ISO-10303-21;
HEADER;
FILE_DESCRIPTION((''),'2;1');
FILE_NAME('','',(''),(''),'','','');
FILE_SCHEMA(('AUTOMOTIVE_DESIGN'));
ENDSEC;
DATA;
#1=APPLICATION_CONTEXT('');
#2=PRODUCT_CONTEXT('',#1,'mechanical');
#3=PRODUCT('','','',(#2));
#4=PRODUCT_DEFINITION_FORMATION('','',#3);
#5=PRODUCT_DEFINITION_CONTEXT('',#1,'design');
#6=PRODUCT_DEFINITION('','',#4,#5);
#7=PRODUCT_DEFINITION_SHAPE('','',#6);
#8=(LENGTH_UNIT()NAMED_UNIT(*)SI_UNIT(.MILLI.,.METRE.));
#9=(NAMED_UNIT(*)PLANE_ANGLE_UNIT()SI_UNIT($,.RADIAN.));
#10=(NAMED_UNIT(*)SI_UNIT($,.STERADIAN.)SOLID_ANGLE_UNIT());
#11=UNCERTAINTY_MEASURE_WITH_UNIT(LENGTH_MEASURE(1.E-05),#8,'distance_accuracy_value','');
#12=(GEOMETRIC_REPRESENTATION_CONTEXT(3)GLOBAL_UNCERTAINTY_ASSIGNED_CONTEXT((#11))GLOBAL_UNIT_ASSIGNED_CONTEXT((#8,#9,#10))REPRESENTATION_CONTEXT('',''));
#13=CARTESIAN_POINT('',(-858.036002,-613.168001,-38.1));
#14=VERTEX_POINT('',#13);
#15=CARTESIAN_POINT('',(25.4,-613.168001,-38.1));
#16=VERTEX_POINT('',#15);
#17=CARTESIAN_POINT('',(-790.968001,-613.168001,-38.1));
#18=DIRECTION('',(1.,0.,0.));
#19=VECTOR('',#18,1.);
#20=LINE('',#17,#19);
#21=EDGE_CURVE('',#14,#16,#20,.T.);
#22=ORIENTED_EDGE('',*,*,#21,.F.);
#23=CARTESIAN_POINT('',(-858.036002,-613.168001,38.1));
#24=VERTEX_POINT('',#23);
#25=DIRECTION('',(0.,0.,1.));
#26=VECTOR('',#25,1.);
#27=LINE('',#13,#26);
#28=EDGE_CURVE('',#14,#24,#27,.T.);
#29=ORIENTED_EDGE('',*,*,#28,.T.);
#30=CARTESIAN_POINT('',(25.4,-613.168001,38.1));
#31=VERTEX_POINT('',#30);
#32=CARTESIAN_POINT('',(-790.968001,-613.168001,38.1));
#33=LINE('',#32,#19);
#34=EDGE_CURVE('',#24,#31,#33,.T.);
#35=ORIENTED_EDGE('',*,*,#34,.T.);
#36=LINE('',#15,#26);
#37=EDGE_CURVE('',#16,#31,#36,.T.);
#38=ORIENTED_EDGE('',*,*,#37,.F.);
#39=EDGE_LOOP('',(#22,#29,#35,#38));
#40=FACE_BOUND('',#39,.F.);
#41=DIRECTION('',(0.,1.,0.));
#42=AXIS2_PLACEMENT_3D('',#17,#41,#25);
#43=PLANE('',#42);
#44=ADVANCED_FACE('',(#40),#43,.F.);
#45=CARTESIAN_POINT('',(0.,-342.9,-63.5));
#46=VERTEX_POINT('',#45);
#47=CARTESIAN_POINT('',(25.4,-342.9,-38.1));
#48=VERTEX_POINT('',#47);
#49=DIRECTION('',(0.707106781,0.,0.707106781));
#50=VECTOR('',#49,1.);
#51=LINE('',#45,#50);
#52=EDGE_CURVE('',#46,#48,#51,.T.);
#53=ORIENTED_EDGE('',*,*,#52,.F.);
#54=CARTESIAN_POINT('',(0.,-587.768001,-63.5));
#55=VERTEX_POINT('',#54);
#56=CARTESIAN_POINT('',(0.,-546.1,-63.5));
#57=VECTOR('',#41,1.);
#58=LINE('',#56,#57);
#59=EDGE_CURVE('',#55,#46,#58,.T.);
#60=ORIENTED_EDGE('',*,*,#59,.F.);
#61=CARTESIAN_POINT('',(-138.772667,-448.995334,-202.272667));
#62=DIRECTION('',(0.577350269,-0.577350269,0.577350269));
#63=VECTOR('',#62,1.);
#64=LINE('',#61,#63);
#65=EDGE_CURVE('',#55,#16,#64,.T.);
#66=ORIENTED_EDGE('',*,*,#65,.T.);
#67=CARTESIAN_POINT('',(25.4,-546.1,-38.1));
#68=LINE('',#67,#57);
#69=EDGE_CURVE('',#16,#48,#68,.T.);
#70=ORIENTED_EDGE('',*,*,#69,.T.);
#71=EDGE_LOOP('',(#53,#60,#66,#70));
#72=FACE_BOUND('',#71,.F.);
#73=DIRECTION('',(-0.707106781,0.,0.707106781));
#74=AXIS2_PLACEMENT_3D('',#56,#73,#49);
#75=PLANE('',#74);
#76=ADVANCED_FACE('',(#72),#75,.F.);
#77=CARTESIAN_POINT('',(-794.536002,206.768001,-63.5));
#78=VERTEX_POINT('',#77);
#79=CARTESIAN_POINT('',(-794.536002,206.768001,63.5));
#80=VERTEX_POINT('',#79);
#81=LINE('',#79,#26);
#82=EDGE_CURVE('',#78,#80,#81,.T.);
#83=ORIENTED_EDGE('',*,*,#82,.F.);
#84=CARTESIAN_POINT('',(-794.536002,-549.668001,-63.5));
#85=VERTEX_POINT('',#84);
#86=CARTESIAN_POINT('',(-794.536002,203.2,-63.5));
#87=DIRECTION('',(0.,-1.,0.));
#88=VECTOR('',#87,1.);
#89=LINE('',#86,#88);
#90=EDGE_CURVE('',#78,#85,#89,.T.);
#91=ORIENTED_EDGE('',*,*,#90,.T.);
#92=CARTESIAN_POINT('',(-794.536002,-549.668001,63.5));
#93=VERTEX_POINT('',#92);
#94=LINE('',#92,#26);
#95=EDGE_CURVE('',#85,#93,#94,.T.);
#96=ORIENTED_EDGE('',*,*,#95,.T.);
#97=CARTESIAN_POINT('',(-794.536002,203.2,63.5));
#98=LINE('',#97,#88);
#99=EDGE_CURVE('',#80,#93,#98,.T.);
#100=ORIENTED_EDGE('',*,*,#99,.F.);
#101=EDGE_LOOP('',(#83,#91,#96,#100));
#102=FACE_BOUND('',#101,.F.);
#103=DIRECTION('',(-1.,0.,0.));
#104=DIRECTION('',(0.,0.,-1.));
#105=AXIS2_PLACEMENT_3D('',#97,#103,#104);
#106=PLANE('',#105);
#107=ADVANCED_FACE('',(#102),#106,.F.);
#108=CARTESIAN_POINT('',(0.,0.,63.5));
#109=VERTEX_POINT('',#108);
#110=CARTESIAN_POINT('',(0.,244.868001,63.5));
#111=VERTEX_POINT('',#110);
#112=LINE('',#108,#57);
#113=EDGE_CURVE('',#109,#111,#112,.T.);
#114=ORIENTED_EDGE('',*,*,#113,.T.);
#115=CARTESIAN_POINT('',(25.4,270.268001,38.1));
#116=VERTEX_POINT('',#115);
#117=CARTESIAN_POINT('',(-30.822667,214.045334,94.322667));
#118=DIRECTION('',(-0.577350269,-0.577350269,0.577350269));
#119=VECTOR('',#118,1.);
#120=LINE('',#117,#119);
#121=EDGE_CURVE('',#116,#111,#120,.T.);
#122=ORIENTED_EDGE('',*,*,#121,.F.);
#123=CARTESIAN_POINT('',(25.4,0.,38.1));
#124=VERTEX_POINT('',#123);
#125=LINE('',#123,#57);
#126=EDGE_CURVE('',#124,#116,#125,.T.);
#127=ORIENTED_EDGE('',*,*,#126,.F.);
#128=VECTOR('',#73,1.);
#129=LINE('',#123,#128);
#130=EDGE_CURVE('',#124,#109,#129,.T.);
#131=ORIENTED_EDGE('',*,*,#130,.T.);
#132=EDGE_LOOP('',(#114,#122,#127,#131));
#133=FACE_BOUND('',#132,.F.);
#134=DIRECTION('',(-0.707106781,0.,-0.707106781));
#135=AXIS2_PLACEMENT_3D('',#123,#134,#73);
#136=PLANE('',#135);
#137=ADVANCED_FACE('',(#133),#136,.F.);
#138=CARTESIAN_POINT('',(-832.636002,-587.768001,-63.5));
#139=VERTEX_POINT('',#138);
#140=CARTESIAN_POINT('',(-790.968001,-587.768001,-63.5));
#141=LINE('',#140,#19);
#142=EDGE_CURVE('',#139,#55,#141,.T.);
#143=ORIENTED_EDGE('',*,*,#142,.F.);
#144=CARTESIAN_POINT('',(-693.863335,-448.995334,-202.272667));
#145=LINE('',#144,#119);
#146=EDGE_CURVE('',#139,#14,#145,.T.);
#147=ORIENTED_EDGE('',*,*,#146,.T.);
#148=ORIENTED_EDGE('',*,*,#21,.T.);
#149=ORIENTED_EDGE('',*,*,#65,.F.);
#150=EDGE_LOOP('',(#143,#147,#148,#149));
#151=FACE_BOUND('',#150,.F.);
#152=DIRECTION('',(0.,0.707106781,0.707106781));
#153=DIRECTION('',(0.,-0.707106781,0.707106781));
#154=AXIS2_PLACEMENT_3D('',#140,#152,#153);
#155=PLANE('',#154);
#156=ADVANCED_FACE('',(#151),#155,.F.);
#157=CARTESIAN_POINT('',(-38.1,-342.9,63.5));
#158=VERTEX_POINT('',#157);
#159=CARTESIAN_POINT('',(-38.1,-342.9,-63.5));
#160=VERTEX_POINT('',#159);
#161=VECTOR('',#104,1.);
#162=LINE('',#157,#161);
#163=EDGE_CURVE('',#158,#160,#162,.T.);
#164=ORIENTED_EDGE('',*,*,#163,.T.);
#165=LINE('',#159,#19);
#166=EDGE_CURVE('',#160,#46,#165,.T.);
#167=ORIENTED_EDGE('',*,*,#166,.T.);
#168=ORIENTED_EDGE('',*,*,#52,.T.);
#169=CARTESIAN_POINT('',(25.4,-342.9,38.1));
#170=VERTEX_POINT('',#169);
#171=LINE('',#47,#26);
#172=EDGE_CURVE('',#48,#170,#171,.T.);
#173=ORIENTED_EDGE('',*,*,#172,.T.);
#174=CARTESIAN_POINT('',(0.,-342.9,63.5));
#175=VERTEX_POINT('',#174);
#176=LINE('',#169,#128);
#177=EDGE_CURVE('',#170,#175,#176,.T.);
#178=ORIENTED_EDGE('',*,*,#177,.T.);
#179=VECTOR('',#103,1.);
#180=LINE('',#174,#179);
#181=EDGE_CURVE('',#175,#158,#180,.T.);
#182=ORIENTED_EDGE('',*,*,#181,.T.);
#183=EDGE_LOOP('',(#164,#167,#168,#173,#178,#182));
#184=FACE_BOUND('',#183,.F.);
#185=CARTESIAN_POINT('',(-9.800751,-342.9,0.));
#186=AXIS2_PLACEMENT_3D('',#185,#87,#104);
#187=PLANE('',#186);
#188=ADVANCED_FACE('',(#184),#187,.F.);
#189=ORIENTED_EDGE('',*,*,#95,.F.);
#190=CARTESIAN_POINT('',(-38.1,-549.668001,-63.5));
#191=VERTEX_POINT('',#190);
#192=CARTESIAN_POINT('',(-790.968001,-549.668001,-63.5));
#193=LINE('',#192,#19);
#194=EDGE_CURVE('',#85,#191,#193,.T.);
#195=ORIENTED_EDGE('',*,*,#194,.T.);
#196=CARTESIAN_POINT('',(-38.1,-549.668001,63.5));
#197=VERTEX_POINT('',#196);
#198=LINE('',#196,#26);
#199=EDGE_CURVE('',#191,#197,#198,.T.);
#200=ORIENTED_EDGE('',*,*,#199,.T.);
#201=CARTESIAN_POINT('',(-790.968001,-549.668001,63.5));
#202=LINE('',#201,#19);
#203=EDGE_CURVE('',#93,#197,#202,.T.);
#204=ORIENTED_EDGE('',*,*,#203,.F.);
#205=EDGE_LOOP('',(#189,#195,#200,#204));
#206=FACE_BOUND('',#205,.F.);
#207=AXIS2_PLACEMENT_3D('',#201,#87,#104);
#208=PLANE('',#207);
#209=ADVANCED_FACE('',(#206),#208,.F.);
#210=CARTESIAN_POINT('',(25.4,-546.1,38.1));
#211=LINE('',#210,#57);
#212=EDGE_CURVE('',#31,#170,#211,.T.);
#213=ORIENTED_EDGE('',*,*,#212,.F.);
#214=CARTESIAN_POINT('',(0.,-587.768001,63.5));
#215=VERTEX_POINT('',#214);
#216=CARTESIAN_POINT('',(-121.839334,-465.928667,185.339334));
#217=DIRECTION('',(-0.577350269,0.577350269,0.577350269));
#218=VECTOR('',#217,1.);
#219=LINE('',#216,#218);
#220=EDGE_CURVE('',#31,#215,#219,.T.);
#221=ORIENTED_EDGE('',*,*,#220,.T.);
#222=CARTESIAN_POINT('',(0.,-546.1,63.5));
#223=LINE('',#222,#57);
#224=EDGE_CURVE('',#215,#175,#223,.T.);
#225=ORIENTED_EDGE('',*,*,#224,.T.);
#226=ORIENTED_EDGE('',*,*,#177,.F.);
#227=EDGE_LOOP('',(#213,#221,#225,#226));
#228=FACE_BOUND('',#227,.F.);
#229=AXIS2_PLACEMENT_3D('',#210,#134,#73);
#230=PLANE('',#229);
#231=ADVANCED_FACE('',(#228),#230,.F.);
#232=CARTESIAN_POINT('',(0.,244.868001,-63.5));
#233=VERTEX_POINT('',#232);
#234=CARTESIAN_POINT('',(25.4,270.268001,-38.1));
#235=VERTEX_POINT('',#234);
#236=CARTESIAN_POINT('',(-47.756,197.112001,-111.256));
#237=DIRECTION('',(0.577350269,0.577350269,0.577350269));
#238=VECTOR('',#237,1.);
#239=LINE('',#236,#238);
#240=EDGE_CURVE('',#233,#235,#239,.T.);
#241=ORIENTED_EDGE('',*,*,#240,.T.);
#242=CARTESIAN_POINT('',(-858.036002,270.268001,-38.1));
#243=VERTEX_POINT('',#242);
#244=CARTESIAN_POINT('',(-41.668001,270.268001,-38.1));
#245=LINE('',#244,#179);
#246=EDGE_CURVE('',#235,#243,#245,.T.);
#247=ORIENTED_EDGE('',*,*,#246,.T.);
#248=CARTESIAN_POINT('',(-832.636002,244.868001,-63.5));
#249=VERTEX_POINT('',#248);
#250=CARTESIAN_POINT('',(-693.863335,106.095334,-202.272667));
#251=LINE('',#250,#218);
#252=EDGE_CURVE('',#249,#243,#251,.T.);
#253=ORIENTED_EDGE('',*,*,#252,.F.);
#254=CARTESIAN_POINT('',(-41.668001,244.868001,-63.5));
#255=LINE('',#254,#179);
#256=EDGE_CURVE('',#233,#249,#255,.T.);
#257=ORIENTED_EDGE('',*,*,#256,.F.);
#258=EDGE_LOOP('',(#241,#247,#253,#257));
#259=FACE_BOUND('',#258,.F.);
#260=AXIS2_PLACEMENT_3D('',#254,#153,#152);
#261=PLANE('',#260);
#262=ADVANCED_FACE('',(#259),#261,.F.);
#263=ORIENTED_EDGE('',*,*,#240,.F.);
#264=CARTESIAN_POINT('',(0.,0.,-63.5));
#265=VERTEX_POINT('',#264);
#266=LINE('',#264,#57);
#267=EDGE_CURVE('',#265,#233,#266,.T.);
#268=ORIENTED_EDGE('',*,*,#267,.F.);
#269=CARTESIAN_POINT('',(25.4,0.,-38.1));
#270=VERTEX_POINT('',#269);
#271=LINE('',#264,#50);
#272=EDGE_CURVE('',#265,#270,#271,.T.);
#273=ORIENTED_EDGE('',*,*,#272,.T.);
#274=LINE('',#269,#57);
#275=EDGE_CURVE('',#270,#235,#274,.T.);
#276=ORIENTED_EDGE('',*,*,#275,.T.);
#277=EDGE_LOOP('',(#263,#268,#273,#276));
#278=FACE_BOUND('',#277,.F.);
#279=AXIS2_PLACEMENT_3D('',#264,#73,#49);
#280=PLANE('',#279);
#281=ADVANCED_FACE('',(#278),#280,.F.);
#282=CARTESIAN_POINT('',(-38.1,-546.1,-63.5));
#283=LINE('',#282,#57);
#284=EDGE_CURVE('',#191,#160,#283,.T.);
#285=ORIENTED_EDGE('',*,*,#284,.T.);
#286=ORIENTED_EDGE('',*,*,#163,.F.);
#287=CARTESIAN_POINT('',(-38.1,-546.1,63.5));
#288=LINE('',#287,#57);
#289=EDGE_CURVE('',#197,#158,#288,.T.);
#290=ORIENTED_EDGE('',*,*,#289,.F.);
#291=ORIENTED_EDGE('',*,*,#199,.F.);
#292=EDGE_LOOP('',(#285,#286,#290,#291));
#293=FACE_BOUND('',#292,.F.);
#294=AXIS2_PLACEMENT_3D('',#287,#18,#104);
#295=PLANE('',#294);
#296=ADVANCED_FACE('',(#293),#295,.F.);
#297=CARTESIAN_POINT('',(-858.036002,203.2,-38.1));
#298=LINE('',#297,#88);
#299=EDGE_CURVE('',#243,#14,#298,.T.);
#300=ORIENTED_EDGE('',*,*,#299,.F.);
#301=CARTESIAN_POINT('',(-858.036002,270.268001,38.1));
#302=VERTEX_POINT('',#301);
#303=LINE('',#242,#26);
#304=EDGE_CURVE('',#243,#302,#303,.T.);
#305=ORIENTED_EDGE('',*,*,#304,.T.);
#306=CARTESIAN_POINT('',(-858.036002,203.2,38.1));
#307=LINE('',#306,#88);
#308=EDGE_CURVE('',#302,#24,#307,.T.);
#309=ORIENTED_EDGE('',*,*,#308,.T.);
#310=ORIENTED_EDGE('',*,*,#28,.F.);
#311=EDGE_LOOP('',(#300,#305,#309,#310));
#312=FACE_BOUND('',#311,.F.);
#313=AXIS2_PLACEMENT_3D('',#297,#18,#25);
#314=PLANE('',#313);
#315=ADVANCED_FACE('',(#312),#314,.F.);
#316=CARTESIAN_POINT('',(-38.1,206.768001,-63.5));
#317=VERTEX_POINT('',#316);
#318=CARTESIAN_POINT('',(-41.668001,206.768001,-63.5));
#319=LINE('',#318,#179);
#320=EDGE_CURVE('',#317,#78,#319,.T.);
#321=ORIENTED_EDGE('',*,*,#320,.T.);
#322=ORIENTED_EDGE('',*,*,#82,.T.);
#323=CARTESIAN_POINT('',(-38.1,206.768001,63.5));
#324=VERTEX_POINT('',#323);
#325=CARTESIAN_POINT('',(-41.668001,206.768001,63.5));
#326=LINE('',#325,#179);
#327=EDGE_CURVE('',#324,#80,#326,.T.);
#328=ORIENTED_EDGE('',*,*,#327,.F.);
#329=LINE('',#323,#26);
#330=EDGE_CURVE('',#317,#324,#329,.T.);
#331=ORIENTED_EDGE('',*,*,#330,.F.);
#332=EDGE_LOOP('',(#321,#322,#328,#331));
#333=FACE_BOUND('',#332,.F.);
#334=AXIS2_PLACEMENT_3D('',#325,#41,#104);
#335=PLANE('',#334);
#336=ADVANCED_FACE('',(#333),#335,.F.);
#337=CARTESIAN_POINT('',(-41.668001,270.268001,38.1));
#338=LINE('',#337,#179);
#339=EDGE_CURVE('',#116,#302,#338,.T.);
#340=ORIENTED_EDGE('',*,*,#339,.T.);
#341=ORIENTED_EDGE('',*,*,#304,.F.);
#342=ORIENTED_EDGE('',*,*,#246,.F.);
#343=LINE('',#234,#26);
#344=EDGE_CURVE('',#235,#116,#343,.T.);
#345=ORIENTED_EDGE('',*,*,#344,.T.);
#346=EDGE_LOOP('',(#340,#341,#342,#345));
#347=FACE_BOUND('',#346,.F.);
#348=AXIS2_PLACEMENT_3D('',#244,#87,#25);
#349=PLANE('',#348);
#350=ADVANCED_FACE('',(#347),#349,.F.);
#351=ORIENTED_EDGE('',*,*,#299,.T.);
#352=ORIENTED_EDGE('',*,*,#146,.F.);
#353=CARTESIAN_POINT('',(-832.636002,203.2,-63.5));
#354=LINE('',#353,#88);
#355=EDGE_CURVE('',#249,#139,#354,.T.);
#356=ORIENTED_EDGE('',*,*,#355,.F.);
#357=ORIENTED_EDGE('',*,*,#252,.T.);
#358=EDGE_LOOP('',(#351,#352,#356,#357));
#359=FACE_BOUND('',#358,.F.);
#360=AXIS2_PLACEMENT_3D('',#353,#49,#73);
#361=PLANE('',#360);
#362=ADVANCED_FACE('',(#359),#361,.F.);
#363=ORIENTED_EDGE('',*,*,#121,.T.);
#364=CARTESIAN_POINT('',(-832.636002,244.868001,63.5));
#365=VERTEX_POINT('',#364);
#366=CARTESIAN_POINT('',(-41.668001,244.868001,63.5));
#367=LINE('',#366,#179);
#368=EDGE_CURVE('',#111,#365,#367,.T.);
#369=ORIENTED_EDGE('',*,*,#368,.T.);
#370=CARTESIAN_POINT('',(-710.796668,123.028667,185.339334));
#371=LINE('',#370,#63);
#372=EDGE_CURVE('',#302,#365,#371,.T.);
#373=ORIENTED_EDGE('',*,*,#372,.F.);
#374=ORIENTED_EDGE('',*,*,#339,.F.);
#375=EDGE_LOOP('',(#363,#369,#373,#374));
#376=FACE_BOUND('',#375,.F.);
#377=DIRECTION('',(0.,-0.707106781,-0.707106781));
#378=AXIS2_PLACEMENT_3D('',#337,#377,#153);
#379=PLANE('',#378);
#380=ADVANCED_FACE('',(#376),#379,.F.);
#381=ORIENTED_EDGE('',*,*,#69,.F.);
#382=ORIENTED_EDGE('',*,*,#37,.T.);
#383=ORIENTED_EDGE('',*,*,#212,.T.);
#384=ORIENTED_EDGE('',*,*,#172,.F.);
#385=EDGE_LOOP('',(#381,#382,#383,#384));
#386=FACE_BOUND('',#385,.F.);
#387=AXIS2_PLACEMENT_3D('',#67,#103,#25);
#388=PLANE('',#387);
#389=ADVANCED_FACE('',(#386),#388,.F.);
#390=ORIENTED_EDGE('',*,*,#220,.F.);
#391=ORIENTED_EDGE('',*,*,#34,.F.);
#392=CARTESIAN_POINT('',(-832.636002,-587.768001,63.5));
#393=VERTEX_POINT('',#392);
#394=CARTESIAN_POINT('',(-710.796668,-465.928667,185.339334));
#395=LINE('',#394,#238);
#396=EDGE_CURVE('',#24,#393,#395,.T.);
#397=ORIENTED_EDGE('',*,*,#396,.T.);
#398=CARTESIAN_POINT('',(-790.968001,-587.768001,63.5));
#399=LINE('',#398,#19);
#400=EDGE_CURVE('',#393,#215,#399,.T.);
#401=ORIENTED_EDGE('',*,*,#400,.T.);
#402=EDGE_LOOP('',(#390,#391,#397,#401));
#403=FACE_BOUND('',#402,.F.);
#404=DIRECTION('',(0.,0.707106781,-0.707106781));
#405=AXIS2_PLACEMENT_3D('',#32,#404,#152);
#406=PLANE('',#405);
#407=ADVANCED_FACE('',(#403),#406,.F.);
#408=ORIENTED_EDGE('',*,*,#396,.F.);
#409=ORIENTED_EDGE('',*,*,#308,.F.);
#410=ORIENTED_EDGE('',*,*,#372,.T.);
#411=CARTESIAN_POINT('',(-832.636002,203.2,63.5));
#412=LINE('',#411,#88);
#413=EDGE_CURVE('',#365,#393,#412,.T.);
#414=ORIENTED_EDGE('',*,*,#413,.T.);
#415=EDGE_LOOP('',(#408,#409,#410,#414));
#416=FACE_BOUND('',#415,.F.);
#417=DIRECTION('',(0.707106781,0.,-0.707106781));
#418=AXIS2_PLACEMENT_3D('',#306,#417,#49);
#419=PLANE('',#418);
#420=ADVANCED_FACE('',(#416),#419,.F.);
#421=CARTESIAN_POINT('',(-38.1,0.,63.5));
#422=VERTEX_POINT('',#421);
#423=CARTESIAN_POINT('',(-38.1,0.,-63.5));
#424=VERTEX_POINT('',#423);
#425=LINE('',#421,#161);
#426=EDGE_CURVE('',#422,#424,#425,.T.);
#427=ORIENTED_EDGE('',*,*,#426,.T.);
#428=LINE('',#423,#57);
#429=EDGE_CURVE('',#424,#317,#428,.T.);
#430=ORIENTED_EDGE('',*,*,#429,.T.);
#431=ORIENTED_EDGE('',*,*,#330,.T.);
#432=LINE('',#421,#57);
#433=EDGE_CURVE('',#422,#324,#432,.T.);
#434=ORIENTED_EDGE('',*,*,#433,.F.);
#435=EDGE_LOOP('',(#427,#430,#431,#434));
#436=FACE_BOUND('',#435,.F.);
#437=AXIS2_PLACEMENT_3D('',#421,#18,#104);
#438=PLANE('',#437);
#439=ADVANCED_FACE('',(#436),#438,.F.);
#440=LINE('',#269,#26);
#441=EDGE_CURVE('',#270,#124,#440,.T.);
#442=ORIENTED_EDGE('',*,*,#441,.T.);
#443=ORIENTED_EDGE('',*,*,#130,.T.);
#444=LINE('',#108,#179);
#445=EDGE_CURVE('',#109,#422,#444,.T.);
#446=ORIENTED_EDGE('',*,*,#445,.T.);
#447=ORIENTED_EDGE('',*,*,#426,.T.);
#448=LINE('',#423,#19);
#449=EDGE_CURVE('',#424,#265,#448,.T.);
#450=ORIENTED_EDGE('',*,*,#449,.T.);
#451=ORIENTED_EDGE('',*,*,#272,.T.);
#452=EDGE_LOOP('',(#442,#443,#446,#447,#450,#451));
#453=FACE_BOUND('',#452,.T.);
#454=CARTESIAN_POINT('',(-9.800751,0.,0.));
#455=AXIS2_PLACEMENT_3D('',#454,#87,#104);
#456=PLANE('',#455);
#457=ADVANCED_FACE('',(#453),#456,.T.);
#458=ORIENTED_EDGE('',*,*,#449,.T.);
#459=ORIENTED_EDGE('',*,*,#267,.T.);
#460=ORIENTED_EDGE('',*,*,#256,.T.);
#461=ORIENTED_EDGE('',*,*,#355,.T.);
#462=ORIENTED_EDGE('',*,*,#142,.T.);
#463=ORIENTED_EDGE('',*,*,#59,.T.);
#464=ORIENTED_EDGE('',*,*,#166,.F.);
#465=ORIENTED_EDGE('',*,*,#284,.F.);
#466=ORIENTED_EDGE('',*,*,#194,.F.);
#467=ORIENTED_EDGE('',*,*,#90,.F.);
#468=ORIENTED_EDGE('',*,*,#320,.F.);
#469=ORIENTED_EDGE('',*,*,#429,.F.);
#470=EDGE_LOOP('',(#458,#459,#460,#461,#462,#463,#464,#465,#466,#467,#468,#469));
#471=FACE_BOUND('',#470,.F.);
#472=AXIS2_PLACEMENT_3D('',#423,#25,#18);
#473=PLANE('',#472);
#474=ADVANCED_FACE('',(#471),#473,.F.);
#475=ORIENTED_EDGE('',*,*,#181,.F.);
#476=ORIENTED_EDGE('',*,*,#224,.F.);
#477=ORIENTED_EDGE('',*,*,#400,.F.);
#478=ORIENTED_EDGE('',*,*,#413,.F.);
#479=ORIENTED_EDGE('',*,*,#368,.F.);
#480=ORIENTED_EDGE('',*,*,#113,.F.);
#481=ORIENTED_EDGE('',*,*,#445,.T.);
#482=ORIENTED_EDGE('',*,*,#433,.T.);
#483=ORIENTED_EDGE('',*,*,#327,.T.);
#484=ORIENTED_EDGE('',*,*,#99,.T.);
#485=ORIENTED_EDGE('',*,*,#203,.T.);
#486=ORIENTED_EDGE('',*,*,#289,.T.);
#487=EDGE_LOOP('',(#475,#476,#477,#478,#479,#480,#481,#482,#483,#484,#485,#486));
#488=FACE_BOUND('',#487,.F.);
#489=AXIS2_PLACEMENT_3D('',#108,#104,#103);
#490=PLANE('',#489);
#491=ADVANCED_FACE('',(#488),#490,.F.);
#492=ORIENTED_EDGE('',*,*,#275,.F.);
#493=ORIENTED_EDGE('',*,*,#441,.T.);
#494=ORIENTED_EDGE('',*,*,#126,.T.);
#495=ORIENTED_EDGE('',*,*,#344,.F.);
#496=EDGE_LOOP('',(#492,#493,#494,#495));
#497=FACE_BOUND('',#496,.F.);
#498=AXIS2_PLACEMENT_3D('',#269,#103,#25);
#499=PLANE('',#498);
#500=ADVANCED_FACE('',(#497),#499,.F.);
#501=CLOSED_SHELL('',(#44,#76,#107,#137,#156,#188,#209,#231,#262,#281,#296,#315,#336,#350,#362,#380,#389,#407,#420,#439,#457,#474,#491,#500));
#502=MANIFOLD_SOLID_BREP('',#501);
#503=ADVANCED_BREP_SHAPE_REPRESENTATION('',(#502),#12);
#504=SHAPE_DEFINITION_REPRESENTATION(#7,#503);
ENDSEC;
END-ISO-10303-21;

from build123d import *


with BuildPart() as f2:
    # F2: sweep along a path in F1
    with BuildLine(Plane.XY) as f2_path:
        Line((-41.6680008888, 0), (-41.6680008888, 203.2))
        Line((-41.6680008888, 203.2), (-790.9680008888, 203.2))
        Line((-790.9680008888, 203.2), (-790.9680008888, -546.1))
        Line((-790.9680008888, -546.1), (-41.6680008888, -546.1))
        Line((-41.6680008888, -546.1), (-41.6680008888, -342.9))
    # F0 (on Front) → F2 (sweep)
    with BuildSketch(Plane.XZ):
        Polygon((0, 63.5), (-38.1, 63.5), (-38.1, 0), (-38.1, -63.5), (0, -63.5), (25.4, -38.1), (25.4, 0), (25.4, 38.1), align=None)
    sweep(path=f2_path.line, transition=Transition.RIGHT)


solid = f2.part
